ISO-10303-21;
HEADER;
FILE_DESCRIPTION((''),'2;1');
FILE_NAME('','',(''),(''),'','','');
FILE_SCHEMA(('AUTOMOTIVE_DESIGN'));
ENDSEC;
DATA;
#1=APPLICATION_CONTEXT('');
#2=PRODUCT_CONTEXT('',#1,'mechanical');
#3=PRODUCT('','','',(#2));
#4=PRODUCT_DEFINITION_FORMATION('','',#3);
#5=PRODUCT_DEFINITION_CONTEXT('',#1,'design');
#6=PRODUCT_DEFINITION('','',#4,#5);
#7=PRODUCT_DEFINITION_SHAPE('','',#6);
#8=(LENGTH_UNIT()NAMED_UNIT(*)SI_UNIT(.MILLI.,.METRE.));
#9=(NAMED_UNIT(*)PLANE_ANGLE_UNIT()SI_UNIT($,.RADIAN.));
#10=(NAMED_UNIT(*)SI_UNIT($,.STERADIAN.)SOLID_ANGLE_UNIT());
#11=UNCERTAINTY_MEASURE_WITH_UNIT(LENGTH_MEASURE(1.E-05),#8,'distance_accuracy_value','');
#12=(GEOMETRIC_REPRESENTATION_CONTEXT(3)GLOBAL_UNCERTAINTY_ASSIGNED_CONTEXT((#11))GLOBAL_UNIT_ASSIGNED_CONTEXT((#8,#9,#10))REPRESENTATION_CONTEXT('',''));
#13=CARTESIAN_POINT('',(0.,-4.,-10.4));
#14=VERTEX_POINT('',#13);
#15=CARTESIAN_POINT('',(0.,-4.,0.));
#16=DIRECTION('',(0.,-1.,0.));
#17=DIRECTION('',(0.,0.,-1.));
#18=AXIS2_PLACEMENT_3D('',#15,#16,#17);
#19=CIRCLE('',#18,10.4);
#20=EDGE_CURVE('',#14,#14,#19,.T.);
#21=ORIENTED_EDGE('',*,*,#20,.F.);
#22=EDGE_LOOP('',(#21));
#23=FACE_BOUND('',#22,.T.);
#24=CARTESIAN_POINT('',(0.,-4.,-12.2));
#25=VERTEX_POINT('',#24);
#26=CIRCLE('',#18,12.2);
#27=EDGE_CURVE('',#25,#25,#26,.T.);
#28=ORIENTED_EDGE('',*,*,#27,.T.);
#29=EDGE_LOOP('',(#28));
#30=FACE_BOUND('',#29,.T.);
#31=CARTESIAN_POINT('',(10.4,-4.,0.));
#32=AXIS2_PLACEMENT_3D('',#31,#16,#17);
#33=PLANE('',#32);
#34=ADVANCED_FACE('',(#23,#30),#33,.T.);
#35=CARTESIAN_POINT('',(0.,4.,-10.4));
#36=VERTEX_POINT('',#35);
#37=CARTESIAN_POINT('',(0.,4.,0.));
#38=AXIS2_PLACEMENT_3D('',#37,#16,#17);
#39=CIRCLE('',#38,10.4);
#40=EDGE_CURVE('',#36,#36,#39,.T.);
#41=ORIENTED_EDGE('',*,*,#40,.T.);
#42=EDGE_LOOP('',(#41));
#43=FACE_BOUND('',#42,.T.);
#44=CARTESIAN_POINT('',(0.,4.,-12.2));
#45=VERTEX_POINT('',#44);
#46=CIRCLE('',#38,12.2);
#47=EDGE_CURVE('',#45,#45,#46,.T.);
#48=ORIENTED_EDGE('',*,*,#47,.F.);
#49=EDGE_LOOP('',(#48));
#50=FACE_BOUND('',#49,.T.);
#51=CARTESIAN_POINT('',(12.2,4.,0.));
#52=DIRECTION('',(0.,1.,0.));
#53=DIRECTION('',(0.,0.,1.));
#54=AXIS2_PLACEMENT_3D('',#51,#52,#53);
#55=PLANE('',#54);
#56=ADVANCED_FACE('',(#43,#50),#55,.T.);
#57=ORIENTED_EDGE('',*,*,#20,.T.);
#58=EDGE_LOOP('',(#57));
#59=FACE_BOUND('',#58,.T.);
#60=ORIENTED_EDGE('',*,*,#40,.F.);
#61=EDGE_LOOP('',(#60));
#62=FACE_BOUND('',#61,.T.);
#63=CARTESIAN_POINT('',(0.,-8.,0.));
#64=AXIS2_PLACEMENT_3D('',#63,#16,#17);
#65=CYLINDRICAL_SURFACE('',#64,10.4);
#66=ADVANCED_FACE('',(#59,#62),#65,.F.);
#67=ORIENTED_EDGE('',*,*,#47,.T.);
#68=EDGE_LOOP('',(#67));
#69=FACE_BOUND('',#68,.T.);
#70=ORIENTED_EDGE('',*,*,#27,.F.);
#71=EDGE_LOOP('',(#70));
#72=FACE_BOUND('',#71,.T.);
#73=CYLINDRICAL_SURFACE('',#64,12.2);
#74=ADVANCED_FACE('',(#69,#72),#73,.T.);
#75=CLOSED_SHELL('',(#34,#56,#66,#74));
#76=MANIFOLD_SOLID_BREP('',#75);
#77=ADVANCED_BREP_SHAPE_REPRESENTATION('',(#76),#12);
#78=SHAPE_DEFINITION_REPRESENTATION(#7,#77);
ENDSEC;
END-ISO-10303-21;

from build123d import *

# Parameters (mm, degrees)
SKETCH1_W = 1.8
SKETCH1_H = 8


with BuildPart() as part:
    # Sketch1 → Anillo (revolve)
    with BuildSketch(Plane.XY, mode=Mode.PRIVATE) as anillo_sk:
        with Locations((11.3, 0)):
            Rectangle(SKETCH1_W, SKETCH1_H)
    revolve(anillo_sk.sketch.rotate(Axis((0, -8, 0), (0, 1, 0)), 90), axis=Axis((0, -8, 0), (0, 1, 0)))


solid = part.part
